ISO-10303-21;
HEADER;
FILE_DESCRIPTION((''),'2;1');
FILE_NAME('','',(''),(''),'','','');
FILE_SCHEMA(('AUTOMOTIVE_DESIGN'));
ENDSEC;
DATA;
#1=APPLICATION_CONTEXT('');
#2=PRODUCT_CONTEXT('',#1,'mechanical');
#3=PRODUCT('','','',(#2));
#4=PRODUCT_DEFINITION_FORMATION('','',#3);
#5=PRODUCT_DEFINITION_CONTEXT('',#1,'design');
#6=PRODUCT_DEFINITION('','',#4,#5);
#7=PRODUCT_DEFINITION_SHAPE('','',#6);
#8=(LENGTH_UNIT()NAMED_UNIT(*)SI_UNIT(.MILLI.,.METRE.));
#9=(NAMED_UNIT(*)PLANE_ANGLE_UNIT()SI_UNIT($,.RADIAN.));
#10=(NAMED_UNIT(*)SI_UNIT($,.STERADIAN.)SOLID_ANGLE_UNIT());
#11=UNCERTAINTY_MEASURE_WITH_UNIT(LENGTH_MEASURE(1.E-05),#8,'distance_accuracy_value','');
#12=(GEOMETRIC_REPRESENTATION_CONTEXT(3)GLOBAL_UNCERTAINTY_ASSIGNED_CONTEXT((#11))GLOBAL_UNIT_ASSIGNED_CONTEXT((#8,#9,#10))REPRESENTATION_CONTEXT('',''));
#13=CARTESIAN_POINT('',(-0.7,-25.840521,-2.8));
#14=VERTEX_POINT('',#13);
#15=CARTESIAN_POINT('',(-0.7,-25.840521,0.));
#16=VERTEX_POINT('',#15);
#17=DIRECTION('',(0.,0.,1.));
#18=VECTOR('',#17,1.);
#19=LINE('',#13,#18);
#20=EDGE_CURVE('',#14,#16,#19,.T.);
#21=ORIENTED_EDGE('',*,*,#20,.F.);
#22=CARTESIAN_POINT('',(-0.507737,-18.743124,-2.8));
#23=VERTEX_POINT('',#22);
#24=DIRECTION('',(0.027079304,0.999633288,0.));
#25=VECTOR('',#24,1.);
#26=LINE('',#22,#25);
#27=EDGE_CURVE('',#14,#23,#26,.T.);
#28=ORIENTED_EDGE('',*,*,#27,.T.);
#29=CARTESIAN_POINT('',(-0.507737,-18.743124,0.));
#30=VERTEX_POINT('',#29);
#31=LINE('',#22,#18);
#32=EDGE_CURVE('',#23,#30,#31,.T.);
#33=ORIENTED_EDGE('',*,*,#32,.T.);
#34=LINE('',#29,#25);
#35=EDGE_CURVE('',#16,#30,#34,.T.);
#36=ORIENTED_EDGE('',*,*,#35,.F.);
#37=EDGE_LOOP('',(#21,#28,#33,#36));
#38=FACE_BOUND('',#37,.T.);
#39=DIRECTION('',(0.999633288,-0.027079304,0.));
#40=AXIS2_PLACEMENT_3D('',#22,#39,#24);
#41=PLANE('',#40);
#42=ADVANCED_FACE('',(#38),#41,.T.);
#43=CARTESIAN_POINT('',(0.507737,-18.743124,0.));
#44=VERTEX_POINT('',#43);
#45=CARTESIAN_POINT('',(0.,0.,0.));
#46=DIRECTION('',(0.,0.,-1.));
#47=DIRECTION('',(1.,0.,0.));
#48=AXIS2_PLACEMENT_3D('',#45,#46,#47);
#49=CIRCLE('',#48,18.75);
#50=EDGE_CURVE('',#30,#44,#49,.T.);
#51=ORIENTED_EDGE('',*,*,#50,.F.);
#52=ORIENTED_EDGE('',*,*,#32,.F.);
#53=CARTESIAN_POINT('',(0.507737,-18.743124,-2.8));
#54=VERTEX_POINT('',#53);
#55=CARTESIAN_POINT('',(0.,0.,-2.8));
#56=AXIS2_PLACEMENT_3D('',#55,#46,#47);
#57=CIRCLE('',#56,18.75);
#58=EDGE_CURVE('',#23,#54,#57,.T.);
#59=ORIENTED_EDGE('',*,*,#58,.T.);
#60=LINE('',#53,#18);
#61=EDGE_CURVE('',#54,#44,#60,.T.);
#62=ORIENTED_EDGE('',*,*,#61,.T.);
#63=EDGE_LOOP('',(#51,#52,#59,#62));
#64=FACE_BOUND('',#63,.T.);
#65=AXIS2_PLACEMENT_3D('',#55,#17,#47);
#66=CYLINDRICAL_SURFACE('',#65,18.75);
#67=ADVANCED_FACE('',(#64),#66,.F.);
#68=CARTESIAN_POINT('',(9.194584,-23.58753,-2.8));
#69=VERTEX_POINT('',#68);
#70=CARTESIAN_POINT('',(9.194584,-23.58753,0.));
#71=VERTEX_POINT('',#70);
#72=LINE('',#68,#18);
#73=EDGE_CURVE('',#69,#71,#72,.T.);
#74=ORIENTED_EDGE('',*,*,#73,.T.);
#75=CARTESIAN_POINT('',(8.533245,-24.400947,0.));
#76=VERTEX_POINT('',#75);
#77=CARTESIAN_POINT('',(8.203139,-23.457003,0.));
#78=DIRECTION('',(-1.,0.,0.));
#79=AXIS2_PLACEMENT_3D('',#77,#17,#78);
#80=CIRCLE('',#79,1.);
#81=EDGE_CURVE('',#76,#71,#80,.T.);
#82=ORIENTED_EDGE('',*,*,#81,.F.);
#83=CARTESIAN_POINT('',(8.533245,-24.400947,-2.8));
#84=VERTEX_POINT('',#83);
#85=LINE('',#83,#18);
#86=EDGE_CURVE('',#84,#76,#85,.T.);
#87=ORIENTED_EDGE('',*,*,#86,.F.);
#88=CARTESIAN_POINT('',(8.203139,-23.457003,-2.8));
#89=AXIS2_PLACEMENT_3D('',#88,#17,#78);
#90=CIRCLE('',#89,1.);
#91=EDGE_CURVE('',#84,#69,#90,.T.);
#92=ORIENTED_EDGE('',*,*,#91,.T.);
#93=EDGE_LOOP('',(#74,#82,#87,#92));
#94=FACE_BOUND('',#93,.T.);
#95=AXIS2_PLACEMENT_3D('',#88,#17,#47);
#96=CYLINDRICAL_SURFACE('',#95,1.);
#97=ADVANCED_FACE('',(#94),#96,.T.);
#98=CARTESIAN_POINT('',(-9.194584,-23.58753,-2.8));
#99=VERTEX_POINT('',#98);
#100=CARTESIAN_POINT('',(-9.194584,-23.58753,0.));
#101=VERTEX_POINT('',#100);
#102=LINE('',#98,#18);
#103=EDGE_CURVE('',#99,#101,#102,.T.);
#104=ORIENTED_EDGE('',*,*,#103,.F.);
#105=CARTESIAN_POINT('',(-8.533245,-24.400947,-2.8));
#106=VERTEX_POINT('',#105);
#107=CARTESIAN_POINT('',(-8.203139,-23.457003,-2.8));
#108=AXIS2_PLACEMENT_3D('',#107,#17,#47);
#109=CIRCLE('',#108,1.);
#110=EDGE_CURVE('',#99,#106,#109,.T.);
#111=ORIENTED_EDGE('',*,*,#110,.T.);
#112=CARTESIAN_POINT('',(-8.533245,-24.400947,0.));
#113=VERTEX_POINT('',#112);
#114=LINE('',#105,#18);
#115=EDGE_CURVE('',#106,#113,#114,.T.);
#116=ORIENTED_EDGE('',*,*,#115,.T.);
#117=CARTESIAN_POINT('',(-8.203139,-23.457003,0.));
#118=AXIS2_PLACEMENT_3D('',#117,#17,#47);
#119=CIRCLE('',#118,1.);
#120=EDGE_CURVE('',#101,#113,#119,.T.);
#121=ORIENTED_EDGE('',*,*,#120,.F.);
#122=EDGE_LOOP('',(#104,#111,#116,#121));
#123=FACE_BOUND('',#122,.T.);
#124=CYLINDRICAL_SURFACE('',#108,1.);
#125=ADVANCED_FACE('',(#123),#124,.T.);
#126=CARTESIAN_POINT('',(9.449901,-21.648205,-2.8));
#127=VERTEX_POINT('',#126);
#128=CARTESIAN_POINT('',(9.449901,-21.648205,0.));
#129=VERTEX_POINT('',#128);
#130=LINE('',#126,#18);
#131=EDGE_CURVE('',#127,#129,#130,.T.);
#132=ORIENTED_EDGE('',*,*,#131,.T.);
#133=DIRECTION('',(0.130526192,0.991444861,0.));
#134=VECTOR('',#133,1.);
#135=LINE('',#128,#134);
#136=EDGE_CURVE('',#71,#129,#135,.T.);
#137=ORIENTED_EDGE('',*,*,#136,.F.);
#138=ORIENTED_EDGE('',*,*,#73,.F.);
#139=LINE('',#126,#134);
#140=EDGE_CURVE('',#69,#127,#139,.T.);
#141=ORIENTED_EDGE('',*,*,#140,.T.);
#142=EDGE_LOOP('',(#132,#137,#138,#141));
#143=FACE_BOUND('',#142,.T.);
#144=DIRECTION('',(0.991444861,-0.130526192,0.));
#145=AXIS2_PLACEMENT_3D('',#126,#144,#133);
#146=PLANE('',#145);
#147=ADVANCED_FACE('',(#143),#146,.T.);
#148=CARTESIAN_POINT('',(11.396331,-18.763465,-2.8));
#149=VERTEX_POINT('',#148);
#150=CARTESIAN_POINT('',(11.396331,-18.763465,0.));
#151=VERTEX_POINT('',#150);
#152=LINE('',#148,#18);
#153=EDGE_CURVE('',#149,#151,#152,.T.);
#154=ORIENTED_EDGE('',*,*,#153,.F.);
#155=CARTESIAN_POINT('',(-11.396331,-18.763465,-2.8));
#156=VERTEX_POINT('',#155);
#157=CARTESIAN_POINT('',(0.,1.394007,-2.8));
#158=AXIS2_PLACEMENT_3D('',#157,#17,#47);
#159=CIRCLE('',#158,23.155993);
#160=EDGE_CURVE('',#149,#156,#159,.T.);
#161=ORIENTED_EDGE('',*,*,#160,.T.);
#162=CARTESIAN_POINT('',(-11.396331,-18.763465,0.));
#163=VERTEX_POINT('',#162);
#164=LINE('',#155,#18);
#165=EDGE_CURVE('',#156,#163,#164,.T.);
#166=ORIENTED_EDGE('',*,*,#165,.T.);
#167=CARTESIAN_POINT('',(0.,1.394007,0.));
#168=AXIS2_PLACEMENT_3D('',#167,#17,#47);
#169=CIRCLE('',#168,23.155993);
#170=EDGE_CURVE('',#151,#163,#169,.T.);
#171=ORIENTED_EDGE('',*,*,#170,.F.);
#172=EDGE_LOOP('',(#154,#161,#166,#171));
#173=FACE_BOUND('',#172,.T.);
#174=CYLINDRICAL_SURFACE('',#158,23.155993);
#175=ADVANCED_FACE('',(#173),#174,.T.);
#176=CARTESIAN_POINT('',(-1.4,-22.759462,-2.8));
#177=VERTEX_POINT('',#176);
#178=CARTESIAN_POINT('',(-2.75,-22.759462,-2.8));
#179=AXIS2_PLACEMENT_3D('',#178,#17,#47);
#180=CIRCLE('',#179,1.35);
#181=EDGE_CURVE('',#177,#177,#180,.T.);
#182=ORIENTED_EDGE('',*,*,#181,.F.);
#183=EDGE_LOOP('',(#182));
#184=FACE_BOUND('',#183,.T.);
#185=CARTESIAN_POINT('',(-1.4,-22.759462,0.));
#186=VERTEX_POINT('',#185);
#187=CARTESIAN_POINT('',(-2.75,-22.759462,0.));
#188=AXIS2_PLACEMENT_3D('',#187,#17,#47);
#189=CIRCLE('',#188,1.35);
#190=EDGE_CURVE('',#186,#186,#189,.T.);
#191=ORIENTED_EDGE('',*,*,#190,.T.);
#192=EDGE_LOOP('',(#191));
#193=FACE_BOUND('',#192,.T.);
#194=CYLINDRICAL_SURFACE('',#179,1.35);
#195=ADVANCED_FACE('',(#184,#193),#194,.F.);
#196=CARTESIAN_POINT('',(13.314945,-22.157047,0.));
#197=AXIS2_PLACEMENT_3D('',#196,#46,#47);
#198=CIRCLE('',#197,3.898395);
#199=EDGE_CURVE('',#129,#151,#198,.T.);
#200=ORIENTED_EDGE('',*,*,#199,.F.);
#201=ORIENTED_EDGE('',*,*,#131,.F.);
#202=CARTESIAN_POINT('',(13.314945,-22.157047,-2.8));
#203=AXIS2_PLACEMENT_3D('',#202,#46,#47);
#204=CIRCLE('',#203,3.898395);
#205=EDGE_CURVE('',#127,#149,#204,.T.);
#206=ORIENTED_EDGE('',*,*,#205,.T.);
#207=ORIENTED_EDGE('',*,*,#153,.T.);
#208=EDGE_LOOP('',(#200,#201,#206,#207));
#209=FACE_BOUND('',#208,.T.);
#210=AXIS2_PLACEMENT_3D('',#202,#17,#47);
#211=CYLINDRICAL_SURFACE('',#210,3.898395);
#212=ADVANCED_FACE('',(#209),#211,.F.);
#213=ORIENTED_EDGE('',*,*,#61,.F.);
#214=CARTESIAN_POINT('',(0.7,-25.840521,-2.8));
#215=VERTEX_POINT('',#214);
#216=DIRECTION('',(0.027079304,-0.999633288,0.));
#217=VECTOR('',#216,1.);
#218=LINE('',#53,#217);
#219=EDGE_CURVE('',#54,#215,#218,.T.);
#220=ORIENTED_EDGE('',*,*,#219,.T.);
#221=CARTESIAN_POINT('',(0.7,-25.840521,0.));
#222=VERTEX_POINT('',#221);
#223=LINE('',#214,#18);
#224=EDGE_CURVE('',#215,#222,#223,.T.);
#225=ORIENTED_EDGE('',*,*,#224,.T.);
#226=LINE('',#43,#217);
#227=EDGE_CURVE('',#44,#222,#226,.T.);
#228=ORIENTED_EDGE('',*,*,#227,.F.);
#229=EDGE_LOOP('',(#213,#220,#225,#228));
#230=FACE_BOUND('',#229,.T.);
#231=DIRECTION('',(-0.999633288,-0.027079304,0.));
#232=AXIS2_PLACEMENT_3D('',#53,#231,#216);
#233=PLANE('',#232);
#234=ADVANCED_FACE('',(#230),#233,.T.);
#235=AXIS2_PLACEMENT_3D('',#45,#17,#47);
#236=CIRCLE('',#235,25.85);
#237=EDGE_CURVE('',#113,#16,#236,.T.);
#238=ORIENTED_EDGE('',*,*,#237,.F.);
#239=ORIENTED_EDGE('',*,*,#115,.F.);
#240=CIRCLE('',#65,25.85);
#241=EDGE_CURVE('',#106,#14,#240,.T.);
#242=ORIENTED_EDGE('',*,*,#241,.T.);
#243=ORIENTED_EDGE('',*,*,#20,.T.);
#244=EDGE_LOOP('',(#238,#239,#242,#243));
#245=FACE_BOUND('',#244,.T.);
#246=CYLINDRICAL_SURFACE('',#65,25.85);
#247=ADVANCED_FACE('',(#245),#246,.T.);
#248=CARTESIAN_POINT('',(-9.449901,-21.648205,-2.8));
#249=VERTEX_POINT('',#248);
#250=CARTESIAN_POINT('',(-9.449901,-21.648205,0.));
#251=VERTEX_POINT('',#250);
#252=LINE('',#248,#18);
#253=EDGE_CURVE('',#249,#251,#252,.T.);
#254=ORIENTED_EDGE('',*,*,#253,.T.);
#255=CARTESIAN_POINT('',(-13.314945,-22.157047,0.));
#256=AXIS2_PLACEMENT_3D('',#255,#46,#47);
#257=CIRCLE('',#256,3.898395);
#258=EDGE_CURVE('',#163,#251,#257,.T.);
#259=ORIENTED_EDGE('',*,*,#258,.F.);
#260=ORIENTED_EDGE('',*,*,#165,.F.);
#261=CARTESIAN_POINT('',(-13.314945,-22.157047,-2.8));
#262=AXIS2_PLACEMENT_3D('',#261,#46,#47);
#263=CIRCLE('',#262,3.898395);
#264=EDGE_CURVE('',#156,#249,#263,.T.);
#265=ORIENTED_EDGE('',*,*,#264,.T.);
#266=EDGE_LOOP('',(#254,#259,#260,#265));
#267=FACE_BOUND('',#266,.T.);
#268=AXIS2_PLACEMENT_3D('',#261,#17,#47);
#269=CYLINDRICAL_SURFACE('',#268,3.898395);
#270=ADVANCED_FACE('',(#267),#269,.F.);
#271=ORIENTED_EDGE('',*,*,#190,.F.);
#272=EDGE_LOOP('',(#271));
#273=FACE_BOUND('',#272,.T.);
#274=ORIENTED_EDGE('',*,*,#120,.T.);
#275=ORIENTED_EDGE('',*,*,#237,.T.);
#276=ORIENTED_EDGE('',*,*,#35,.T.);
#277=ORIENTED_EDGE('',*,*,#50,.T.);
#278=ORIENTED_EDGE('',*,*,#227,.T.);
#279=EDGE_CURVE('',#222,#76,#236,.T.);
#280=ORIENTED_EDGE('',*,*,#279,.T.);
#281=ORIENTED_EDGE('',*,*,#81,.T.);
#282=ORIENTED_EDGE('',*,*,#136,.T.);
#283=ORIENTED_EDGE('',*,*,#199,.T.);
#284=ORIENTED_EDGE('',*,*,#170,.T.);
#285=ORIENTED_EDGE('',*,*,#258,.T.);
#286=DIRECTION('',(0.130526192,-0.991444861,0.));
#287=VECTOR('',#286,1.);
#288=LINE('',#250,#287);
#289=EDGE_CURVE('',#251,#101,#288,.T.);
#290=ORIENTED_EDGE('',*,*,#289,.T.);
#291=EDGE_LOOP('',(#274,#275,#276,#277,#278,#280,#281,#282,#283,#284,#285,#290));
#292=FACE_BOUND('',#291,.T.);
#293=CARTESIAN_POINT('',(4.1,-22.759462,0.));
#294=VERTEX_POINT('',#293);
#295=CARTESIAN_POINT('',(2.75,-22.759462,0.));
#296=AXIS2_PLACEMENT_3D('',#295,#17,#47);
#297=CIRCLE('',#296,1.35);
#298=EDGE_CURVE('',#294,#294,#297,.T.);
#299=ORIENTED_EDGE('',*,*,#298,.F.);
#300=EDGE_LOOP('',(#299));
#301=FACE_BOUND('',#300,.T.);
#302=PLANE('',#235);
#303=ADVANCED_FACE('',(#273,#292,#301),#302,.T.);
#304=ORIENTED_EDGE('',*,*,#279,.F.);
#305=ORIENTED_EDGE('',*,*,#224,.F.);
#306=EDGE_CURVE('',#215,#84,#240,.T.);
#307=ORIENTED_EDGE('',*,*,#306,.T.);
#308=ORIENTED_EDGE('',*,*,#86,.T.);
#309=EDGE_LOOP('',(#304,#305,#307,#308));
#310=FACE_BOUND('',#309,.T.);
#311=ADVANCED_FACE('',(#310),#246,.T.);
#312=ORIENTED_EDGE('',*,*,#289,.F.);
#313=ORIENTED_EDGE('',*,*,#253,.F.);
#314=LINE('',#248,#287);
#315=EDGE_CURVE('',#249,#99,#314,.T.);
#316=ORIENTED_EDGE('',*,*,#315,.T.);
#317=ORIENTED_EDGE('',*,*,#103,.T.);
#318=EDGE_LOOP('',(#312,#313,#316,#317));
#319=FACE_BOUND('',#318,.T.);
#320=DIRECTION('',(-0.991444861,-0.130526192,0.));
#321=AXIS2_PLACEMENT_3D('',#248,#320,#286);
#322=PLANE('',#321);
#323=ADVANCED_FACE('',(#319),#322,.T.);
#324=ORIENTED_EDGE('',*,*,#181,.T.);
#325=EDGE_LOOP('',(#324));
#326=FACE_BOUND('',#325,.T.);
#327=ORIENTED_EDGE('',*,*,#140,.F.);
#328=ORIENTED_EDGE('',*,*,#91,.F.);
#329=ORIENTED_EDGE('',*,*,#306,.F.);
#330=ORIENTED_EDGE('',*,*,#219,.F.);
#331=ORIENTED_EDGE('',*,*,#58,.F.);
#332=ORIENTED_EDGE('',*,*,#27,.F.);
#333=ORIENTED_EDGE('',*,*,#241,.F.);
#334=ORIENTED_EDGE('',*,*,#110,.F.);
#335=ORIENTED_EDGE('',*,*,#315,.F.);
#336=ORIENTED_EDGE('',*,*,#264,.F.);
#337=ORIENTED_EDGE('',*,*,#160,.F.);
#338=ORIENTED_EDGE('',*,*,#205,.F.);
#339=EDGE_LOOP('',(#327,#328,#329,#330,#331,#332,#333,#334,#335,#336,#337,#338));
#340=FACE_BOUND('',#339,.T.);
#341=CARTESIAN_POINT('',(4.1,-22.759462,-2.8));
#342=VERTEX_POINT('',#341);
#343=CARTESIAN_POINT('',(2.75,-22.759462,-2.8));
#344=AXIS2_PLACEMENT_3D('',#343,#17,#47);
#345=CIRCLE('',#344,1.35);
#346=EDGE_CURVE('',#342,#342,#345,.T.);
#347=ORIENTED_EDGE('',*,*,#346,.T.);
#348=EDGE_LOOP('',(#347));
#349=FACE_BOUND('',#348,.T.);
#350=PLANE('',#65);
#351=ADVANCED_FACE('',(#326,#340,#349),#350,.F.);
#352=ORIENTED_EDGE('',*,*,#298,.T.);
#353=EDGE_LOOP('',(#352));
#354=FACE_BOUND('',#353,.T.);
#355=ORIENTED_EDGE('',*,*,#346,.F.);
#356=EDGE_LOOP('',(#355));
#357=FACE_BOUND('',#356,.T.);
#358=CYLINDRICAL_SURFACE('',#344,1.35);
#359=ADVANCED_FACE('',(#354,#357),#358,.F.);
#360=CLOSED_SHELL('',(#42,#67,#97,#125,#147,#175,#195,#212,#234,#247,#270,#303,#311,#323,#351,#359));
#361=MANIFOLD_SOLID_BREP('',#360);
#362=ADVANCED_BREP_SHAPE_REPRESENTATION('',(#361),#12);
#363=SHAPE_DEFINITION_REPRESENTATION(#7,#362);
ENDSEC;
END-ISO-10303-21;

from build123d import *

# Parameters (mm, degrees)
BODYSKE_R  = 1.35
BODY_DEPTH = 2.8


with BuildPart() as part:
    # BodySke → Body (new body)
    with BuildSketch(Plane.XY):
        with BuildLine():
            Line((0.507736944, -18.743124158), (0.7, -25.840520506))
            ThreePointArc((0.7, -25.840520506), (4.672397443, -25.424224711), (8.533245372, -24.400947183))
            ThreePointArc((8.533245372, -24.400947183), (8.979049185, -24.087846983), (9.194584029, -23.587529577))
            Line((9.194584029, -23.587529577), (9.449900977, -21.648204824))
            ThreePointArc((9.449900977, -21.648204824), (10.083365414, -19.976593629), (11.396331128, -18.763464529))
            ThreePointArc((11.396331128, -18.763464529), (0, 24.55), (-11.396331128, -18.763464529))
            ThreePointArc((-11.396331128, -18.763464529), (-10.083365414, -19.976593629), (-9.449900977, -21.648204824))
            Line((-9.449900977, -21.648204824), (-9.194584029, -23.587529577))
            ThreePointArc((-9.194584029, -23.587529577), (-8.979049185, -24.087846983), (-8.533245372, -24.400947183))
            ThreePointArc((-8.533245372, -24.400947183), (-4.672397443, -25.424224711), (-0.7, -25.840520506))
            Line((-0.7, -25.840520506), (-0.507736944, -18.743124158))
            ThreePointArc((-0.507736944, -18.743124158), (0, 18.75), (0.507736944, -18.743124158))
        make_face()
        with Locations((2.75, -22.759462318)):
            Circle(BODYSKE_R, mode=Mode.SUBTRACT)
        with Locations((-2.75, -22.759462318)):
            Circle(BODYSKE_R, mode=Mode.SUBTRACT)
    extrude(amount=-BODY_DEPTH)


solid = part.part
